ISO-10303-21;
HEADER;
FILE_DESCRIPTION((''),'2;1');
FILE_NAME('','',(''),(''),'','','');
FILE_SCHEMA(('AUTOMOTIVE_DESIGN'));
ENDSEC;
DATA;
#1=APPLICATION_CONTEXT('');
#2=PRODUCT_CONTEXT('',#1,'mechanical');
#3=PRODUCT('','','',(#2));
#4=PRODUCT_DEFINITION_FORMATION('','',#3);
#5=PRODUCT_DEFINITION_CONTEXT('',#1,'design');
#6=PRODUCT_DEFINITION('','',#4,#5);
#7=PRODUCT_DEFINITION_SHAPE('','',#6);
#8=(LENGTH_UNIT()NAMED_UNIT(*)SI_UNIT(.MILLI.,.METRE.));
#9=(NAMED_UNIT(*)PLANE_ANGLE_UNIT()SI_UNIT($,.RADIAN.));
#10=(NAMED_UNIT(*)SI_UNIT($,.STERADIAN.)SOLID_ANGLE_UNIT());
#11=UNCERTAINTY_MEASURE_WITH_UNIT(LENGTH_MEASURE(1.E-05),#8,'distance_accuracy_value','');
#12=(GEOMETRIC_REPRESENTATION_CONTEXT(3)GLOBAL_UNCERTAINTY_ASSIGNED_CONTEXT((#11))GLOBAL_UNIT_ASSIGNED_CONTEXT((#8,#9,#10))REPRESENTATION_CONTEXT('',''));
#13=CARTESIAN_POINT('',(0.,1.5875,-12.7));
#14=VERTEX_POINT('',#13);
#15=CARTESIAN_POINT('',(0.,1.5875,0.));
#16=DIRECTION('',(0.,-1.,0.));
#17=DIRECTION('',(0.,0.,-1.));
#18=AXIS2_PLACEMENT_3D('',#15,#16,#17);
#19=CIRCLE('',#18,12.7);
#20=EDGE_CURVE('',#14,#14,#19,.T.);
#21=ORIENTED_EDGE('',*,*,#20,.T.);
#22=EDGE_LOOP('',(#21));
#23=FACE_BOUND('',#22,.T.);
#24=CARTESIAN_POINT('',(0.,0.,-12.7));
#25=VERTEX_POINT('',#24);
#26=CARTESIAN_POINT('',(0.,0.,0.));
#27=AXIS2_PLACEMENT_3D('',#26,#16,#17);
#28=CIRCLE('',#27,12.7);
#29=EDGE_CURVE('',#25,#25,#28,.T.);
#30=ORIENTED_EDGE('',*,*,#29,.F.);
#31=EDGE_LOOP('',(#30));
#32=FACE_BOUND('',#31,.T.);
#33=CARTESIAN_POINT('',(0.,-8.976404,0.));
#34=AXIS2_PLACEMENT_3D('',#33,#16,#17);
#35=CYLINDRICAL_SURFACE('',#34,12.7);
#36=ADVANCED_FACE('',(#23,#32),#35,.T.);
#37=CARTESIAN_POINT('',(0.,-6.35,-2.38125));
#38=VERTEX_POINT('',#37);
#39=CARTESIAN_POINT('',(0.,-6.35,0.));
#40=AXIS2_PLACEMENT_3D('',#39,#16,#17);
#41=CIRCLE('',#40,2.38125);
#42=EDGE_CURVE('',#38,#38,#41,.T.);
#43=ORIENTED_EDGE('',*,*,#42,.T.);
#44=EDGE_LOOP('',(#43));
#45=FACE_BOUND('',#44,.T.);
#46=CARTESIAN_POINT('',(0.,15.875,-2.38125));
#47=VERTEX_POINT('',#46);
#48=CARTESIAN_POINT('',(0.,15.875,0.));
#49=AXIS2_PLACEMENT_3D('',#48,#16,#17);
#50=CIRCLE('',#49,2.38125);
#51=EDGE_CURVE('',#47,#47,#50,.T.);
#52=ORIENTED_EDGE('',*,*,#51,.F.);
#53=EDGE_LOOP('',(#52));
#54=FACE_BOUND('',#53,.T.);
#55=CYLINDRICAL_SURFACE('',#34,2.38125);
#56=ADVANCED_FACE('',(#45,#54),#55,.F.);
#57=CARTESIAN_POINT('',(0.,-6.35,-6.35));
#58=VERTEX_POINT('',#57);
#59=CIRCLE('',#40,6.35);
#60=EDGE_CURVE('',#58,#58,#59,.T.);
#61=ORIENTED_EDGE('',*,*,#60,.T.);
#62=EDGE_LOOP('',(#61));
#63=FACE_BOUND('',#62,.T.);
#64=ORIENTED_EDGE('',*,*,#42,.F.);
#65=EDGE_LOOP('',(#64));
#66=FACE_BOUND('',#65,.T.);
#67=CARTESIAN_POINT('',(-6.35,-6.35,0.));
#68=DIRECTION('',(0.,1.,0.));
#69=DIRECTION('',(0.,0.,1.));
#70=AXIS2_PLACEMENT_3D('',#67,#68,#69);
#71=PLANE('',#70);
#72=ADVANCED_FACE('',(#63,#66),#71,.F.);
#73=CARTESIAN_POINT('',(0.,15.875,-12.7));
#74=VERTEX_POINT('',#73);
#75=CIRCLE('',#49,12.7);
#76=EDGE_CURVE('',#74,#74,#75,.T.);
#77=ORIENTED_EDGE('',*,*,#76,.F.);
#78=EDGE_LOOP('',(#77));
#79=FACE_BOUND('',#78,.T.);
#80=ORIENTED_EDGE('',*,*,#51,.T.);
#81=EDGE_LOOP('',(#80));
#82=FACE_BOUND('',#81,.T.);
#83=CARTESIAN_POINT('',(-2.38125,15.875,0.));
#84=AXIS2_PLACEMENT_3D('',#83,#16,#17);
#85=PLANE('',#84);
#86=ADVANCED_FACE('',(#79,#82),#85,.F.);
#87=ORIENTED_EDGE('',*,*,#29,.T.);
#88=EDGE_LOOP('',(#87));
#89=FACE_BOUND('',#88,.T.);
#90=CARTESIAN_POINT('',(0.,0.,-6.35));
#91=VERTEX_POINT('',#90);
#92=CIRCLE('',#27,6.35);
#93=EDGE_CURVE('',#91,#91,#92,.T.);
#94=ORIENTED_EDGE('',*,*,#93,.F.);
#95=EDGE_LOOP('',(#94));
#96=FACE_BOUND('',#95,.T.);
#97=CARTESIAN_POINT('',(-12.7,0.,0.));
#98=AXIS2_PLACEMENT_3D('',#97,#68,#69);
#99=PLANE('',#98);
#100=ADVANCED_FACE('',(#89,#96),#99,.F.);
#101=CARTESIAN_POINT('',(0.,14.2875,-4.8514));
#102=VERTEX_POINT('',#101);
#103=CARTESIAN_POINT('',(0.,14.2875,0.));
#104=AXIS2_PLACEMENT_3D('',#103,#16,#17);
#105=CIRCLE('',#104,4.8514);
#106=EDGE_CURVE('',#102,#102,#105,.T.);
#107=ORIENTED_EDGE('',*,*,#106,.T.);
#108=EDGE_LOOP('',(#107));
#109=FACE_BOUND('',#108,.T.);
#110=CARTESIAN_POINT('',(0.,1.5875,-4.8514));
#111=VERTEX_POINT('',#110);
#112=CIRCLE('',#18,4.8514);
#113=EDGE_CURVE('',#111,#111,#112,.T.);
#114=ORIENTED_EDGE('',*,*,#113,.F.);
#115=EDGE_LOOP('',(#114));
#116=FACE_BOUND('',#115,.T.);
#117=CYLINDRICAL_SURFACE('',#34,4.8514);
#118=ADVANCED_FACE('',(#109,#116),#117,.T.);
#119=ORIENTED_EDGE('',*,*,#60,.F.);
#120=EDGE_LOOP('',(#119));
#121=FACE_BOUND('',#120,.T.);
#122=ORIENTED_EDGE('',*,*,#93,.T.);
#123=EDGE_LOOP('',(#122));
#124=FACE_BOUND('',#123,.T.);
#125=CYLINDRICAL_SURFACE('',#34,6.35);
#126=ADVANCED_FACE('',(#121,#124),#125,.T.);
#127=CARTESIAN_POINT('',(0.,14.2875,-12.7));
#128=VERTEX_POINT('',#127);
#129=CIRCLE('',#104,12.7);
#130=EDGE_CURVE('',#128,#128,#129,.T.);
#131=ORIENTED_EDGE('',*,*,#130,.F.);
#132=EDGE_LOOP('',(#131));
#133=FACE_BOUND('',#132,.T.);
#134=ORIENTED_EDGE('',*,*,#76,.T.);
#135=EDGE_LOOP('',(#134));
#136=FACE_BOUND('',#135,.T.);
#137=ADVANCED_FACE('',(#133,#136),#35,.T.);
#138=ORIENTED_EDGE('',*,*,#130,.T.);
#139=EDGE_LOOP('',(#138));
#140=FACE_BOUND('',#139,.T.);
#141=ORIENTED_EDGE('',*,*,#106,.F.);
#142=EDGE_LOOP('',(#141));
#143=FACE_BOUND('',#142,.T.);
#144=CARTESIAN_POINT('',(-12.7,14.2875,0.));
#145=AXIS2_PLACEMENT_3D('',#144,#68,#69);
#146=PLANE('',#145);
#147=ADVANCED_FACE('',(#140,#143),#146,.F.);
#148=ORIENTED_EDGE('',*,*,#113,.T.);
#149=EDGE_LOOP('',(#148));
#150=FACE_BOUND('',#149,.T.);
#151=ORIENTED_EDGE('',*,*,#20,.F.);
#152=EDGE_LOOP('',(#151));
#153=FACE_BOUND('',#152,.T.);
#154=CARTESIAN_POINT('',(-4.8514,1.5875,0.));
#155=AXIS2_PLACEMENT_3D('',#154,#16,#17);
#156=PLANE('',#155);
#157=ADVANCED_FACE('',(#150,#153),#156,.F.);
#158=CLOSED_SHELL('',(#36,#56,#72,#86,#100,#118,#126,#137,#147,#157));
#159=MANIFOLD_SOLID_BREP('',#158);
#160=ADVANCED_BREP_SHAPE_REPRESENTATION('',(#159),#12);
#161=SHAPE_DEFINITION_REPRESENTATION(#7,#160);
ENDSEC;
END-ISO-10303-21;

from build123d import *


with BuildPart() as part:
    # Sketch1 → Revolve1 (revolve)
    with BuildSketch(Plane.XY):
        Polygon((-2.38125, 15.875), (-12.7, 15.875), (-12.7, 14.2875), (-4.8514, 14.2875), (-4.8514, 1.5875), (-12.7, 1.5875), (-12.7, 0), (-6.35, 0), (-6.35, -6.35), (-2.38125, -6.35), align=None)
    revolve(axis=Axis((0, -8.976404057, 0), (0, 1, 0)))


solid = part.part
